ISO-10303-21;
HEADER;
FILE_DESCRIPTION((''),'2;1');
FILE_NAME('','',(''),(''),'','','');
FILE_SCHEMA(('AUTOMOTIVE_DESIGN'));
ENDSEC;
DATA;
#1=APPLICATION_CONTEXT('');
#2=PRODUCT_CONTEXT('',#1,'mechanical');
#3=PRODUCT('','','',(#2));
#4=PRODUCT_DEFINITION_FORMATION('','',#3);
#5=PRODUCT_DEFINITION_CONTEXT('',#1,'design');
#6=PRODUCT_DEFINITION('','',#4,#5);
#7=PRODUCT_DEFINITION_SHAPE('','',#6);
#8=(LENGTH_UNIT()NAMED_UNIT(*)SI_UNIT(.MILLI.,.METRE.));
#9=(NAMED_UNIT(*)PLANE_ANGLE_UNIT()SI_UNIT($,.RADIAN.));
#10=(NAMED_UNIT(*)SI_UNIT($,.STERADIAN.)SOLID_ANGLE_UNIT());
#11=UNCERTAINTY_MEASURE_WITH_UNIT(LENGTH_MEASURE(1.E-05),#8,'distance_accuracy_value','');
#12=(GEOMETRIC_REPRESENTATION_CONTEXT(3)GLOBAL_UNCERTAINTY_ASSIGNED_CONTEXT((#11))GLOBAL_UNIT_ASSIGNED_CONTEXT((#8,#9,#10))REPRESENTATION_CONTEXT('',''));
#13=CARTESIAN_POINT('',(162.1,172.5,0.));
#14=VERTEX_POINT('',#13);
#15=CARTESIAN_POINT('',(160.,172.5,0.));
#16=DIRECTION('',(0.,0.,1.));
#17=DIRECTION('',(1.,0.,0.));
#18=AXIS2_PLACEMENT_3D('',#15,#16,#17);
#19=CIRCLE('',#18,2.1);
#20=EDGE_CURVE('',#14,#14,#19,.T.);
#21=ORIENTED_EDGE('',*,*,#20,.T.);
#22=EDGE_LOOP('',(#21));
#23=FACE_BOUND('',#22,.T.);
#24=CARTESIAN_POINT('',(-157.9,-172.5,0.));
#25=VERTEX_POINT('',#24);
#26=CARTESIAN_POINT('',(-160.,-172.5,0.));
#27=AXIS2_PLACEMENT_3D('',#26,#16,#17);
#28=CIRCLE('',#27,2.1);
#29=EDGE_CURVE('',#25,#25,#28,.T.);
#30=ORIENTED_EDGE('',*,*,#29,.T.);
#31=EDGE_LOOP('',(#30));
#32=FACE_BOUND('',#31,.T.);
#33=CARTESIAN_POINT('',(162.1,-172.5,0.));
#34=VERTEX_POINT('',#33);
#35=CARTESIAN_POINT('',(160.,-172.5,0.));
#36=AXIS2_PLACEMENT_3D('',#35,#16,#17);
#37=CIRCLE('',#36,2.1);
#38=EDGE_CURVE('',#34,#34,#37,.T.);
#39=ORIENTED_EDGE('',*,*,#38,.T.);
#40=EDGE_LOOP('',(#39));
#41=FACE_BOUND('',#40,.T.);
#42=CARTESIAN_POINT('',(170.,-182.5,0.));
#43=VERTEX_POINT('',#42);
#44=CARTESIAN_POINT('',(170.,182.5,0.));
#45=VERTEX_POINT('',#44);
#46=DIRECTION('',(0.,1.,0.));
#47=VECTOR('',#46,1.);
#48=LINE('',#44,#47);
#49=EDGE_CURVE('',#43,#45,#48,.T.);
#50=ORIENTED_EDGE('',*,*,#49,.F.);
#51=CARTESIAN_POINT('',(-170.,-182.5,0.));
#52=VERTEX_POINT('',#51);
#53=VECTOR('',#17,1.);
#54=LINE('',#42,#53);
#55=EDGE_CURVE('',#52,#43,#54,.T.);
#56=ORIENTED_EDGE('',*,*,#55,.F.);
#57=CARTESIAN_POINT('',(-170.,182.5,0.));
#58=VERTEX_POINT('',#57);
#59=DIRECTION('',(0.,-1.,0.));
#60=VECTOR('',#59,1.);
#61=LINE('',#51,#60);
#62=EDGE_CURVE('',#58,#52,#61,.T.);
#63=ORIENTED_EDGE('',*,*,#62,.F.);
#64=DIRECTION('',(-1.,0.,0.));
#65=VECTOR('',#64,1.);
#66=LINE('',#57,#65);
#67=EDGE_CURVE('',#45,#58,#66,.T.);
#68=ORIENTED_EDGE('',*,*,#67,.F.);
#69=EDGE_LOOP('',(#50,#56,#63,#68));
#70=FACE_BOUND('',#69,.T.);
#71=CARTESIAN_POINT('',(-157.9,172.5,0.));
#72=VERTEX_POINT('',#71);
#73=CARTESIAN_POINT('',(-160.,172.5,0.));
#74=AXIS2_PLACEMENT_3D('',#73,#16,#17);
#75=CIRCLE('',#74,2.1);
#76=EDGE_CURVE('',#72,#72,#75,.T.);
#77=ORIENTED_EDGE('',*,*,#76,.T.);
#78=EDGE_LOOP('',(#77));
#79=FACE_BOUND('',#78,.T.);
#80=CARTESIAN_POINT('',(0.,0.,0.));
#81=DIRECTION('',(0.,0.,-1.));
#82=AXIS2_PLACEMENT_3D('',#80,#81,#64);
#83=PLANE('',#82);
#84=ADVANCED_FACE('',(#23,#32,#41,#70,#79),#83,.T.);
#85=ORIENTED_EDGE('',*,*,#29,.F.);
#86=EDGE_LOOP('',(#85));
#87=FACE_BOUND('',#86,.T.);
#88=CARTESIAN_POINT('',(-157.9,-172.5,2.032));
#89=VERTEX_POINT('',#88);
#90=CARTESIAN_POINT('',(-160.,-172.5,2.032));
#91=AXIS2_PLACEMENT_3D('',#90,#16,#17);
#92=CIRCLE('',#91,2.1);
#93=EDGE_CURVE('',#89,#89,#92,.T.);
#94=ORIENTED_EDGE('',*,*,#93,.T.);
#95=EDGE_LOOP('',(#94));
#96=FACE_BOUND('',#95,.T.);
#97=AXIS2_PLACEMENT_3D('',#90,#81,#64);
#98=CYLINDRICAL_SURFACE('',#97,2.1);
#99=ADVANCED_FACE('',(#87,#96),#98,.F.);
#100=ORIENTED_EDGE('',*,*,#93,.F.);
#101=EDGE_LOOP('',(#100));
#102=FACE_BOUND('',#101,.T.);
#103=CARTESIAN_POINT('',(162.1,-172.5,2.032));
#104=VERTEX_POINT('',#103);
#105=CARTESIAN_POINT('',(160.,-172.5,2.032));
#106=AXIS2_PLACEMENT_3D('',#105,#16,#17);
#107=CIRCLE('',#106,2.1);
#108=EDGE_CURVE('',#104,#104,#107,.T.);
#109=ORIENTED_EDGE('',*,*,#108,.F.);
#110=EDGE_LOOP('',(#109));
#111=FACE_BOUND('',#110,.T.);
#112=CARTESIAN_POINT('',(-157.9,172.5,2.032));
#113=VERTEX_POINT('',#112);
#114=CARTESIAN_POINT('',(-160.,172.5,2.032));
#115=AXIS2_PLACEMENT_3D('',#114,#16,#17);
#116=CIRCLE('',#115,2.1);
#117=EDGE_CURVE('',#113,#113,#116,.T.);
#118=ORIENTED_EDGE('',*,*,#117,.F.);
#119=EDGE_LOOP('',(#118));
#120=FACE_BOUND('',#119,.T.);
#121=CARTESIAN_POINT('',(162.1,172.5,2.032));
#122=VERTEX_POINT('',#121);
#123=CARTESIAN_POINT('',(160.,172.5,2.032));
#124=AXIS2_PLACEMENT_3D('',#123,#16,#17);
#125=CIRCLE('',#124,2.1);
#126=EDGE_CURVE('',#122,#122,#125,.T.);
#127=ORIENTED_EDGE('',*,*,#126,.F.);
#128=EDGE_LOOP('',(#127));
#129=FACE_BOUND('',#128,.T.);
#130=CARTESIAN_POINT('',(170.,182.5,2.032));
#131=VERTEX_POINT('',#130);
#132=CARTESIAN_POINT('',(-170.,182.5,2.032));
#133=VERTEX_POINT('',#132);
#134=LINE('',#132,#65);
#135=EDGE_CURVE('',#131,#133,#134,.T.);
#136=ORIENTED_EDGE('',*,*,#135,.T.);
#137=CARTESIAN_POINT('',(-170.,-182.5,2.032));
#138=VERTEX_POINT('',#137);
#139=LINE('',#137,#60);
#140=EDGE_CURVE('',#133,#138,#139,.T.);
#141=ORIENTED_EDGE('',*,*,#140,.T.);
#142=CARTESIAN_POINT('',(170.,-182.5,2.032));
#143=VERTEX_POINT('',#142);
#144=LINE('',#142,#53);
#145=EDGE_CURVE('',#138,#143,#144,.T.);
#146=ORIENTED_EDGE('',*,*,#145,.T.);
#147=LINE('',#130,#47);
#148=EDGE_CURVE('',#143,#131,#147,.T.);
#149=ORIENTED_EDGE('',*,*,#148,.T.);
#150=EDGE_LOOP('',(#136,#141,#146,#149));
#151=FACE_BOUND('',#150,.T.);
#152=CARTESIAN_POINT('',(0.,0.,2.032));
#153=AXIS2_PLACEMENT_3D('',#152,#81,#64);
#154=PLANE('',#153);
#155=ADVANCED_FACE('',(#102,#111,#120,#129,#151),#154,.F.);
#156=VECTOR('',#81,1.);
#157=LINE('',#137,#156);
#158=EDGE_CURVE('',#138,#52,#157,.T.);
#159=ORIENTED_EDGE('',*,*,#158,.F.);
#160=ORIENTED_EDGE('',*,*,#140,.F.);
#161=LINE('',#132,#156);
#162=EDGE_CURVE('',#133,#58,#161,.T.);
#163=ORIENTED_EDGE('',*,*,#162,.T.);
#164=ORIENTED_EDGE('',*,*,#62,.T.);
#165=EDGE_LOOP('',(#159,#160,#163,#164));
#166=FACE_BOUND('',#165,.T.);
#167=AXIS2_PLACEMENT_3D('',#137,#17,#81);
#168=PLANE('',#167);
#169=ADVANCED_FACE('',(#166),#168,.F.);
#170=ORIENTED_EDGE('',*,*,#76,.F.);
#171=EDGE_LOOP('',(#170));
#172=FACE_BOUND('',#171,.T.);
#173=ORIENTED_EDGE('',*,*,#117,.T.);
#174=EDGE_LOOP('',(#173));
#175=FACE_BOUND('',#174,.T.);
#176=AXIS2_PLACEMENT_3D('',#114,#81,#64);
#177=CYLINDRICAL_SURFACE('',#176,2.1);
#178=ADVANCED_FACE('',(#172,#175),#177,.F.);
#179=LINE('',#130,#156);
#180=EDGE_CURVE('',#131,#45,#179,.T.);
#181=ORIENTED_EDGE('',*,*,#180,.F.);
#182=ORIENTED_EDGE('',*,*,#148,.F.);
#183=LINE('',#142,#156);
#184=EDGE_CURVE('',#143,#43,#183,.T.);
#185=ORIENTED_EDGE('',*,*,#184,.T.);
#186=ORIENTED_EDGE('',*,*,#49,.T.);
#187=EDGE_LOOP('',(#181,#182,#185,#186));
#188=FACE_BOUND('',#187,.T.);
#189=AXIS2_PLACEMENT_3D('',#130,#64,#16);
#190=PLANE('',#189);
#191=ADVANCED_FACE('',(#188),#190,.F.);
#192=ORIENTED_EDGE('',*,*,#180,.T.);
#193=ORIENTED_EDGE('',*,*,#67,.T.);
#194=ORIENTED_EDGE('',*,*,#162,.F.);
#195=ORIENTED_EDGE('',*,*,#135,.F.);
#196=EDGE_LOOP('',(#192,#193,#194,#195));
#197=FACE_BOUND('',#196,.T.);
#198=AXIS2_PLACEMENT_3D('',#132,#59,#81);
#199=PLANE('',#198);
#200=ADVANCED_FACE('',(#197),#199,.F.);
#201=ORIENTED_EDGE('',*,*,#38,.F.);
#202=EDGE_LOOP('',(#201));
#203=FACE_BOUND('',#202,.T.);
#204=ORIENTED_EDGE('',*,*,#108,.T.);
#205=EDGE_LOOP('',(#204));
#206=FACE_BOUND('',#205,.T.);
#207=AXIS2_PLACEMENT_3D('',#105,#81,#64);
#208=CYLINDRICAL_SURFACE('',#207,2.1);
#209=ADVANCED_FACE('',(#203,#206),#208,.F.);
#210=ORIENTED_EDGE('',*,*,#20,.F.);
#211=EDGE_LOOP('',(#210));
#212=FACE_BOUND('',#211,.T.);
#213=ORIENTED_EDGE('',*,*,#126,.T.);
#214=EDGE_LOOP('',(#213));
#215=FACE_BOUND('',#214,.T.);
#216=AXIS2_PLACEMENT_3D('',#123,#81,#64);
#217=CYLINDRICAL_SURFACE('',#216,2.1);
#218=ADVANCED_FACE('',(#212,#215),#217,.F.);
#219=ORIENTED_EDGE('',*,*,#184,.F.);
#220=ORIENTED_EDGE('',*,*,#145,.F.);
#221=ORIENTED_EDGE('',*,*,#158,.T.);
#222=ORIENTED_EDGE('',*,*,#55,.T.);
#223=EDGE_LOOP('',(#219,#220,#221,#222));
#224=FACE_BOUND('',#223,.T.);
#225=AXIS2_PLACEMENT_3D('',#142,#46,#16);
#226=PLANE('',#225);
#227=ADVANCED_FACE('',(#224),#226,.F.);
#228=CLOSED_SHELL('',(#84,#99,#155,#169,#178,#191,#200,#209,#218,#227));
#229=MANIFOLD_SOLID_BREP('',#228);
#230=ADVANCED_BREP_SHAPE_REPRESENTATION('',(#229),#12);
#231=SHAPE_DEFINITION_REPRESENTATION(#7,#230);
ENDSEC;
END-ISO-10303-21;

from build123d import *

# Parameters (mm, degrees)
SKETCH1_W           = 340
SKETCH1_H           = 365
SKETCH1_R           = 2.1
BOSS_EXTRUDE1_DEPTH = 2.032


with BuildPart() as part:
    # Sketch1 → Boss-Extrude1 (new body)
    with BuildSketch(Plane.XY):
        Rectangle(SKETCH1_W, SKETCH1_H)
        with Locations((-160, -172.5)):
            Circle(SKETCH1_R, mode=Mode.SUBTRACT)
        with Locations((160, -172.5)):
            Circle(SKETCH1_R, mode=Mode.SUBTRACT)
        with Locations((160, 172.5)):
            Circle(SKETCH1_R, mode=Mode.SUBTRACT)
        with Locations((-160, 172.5)):
            Circle(SKETCH1_R, mode=Mode.SUBTRACT)
    extrude(amount=BOSS_EXTRUDE1_DEPTH)


solid = part.part
